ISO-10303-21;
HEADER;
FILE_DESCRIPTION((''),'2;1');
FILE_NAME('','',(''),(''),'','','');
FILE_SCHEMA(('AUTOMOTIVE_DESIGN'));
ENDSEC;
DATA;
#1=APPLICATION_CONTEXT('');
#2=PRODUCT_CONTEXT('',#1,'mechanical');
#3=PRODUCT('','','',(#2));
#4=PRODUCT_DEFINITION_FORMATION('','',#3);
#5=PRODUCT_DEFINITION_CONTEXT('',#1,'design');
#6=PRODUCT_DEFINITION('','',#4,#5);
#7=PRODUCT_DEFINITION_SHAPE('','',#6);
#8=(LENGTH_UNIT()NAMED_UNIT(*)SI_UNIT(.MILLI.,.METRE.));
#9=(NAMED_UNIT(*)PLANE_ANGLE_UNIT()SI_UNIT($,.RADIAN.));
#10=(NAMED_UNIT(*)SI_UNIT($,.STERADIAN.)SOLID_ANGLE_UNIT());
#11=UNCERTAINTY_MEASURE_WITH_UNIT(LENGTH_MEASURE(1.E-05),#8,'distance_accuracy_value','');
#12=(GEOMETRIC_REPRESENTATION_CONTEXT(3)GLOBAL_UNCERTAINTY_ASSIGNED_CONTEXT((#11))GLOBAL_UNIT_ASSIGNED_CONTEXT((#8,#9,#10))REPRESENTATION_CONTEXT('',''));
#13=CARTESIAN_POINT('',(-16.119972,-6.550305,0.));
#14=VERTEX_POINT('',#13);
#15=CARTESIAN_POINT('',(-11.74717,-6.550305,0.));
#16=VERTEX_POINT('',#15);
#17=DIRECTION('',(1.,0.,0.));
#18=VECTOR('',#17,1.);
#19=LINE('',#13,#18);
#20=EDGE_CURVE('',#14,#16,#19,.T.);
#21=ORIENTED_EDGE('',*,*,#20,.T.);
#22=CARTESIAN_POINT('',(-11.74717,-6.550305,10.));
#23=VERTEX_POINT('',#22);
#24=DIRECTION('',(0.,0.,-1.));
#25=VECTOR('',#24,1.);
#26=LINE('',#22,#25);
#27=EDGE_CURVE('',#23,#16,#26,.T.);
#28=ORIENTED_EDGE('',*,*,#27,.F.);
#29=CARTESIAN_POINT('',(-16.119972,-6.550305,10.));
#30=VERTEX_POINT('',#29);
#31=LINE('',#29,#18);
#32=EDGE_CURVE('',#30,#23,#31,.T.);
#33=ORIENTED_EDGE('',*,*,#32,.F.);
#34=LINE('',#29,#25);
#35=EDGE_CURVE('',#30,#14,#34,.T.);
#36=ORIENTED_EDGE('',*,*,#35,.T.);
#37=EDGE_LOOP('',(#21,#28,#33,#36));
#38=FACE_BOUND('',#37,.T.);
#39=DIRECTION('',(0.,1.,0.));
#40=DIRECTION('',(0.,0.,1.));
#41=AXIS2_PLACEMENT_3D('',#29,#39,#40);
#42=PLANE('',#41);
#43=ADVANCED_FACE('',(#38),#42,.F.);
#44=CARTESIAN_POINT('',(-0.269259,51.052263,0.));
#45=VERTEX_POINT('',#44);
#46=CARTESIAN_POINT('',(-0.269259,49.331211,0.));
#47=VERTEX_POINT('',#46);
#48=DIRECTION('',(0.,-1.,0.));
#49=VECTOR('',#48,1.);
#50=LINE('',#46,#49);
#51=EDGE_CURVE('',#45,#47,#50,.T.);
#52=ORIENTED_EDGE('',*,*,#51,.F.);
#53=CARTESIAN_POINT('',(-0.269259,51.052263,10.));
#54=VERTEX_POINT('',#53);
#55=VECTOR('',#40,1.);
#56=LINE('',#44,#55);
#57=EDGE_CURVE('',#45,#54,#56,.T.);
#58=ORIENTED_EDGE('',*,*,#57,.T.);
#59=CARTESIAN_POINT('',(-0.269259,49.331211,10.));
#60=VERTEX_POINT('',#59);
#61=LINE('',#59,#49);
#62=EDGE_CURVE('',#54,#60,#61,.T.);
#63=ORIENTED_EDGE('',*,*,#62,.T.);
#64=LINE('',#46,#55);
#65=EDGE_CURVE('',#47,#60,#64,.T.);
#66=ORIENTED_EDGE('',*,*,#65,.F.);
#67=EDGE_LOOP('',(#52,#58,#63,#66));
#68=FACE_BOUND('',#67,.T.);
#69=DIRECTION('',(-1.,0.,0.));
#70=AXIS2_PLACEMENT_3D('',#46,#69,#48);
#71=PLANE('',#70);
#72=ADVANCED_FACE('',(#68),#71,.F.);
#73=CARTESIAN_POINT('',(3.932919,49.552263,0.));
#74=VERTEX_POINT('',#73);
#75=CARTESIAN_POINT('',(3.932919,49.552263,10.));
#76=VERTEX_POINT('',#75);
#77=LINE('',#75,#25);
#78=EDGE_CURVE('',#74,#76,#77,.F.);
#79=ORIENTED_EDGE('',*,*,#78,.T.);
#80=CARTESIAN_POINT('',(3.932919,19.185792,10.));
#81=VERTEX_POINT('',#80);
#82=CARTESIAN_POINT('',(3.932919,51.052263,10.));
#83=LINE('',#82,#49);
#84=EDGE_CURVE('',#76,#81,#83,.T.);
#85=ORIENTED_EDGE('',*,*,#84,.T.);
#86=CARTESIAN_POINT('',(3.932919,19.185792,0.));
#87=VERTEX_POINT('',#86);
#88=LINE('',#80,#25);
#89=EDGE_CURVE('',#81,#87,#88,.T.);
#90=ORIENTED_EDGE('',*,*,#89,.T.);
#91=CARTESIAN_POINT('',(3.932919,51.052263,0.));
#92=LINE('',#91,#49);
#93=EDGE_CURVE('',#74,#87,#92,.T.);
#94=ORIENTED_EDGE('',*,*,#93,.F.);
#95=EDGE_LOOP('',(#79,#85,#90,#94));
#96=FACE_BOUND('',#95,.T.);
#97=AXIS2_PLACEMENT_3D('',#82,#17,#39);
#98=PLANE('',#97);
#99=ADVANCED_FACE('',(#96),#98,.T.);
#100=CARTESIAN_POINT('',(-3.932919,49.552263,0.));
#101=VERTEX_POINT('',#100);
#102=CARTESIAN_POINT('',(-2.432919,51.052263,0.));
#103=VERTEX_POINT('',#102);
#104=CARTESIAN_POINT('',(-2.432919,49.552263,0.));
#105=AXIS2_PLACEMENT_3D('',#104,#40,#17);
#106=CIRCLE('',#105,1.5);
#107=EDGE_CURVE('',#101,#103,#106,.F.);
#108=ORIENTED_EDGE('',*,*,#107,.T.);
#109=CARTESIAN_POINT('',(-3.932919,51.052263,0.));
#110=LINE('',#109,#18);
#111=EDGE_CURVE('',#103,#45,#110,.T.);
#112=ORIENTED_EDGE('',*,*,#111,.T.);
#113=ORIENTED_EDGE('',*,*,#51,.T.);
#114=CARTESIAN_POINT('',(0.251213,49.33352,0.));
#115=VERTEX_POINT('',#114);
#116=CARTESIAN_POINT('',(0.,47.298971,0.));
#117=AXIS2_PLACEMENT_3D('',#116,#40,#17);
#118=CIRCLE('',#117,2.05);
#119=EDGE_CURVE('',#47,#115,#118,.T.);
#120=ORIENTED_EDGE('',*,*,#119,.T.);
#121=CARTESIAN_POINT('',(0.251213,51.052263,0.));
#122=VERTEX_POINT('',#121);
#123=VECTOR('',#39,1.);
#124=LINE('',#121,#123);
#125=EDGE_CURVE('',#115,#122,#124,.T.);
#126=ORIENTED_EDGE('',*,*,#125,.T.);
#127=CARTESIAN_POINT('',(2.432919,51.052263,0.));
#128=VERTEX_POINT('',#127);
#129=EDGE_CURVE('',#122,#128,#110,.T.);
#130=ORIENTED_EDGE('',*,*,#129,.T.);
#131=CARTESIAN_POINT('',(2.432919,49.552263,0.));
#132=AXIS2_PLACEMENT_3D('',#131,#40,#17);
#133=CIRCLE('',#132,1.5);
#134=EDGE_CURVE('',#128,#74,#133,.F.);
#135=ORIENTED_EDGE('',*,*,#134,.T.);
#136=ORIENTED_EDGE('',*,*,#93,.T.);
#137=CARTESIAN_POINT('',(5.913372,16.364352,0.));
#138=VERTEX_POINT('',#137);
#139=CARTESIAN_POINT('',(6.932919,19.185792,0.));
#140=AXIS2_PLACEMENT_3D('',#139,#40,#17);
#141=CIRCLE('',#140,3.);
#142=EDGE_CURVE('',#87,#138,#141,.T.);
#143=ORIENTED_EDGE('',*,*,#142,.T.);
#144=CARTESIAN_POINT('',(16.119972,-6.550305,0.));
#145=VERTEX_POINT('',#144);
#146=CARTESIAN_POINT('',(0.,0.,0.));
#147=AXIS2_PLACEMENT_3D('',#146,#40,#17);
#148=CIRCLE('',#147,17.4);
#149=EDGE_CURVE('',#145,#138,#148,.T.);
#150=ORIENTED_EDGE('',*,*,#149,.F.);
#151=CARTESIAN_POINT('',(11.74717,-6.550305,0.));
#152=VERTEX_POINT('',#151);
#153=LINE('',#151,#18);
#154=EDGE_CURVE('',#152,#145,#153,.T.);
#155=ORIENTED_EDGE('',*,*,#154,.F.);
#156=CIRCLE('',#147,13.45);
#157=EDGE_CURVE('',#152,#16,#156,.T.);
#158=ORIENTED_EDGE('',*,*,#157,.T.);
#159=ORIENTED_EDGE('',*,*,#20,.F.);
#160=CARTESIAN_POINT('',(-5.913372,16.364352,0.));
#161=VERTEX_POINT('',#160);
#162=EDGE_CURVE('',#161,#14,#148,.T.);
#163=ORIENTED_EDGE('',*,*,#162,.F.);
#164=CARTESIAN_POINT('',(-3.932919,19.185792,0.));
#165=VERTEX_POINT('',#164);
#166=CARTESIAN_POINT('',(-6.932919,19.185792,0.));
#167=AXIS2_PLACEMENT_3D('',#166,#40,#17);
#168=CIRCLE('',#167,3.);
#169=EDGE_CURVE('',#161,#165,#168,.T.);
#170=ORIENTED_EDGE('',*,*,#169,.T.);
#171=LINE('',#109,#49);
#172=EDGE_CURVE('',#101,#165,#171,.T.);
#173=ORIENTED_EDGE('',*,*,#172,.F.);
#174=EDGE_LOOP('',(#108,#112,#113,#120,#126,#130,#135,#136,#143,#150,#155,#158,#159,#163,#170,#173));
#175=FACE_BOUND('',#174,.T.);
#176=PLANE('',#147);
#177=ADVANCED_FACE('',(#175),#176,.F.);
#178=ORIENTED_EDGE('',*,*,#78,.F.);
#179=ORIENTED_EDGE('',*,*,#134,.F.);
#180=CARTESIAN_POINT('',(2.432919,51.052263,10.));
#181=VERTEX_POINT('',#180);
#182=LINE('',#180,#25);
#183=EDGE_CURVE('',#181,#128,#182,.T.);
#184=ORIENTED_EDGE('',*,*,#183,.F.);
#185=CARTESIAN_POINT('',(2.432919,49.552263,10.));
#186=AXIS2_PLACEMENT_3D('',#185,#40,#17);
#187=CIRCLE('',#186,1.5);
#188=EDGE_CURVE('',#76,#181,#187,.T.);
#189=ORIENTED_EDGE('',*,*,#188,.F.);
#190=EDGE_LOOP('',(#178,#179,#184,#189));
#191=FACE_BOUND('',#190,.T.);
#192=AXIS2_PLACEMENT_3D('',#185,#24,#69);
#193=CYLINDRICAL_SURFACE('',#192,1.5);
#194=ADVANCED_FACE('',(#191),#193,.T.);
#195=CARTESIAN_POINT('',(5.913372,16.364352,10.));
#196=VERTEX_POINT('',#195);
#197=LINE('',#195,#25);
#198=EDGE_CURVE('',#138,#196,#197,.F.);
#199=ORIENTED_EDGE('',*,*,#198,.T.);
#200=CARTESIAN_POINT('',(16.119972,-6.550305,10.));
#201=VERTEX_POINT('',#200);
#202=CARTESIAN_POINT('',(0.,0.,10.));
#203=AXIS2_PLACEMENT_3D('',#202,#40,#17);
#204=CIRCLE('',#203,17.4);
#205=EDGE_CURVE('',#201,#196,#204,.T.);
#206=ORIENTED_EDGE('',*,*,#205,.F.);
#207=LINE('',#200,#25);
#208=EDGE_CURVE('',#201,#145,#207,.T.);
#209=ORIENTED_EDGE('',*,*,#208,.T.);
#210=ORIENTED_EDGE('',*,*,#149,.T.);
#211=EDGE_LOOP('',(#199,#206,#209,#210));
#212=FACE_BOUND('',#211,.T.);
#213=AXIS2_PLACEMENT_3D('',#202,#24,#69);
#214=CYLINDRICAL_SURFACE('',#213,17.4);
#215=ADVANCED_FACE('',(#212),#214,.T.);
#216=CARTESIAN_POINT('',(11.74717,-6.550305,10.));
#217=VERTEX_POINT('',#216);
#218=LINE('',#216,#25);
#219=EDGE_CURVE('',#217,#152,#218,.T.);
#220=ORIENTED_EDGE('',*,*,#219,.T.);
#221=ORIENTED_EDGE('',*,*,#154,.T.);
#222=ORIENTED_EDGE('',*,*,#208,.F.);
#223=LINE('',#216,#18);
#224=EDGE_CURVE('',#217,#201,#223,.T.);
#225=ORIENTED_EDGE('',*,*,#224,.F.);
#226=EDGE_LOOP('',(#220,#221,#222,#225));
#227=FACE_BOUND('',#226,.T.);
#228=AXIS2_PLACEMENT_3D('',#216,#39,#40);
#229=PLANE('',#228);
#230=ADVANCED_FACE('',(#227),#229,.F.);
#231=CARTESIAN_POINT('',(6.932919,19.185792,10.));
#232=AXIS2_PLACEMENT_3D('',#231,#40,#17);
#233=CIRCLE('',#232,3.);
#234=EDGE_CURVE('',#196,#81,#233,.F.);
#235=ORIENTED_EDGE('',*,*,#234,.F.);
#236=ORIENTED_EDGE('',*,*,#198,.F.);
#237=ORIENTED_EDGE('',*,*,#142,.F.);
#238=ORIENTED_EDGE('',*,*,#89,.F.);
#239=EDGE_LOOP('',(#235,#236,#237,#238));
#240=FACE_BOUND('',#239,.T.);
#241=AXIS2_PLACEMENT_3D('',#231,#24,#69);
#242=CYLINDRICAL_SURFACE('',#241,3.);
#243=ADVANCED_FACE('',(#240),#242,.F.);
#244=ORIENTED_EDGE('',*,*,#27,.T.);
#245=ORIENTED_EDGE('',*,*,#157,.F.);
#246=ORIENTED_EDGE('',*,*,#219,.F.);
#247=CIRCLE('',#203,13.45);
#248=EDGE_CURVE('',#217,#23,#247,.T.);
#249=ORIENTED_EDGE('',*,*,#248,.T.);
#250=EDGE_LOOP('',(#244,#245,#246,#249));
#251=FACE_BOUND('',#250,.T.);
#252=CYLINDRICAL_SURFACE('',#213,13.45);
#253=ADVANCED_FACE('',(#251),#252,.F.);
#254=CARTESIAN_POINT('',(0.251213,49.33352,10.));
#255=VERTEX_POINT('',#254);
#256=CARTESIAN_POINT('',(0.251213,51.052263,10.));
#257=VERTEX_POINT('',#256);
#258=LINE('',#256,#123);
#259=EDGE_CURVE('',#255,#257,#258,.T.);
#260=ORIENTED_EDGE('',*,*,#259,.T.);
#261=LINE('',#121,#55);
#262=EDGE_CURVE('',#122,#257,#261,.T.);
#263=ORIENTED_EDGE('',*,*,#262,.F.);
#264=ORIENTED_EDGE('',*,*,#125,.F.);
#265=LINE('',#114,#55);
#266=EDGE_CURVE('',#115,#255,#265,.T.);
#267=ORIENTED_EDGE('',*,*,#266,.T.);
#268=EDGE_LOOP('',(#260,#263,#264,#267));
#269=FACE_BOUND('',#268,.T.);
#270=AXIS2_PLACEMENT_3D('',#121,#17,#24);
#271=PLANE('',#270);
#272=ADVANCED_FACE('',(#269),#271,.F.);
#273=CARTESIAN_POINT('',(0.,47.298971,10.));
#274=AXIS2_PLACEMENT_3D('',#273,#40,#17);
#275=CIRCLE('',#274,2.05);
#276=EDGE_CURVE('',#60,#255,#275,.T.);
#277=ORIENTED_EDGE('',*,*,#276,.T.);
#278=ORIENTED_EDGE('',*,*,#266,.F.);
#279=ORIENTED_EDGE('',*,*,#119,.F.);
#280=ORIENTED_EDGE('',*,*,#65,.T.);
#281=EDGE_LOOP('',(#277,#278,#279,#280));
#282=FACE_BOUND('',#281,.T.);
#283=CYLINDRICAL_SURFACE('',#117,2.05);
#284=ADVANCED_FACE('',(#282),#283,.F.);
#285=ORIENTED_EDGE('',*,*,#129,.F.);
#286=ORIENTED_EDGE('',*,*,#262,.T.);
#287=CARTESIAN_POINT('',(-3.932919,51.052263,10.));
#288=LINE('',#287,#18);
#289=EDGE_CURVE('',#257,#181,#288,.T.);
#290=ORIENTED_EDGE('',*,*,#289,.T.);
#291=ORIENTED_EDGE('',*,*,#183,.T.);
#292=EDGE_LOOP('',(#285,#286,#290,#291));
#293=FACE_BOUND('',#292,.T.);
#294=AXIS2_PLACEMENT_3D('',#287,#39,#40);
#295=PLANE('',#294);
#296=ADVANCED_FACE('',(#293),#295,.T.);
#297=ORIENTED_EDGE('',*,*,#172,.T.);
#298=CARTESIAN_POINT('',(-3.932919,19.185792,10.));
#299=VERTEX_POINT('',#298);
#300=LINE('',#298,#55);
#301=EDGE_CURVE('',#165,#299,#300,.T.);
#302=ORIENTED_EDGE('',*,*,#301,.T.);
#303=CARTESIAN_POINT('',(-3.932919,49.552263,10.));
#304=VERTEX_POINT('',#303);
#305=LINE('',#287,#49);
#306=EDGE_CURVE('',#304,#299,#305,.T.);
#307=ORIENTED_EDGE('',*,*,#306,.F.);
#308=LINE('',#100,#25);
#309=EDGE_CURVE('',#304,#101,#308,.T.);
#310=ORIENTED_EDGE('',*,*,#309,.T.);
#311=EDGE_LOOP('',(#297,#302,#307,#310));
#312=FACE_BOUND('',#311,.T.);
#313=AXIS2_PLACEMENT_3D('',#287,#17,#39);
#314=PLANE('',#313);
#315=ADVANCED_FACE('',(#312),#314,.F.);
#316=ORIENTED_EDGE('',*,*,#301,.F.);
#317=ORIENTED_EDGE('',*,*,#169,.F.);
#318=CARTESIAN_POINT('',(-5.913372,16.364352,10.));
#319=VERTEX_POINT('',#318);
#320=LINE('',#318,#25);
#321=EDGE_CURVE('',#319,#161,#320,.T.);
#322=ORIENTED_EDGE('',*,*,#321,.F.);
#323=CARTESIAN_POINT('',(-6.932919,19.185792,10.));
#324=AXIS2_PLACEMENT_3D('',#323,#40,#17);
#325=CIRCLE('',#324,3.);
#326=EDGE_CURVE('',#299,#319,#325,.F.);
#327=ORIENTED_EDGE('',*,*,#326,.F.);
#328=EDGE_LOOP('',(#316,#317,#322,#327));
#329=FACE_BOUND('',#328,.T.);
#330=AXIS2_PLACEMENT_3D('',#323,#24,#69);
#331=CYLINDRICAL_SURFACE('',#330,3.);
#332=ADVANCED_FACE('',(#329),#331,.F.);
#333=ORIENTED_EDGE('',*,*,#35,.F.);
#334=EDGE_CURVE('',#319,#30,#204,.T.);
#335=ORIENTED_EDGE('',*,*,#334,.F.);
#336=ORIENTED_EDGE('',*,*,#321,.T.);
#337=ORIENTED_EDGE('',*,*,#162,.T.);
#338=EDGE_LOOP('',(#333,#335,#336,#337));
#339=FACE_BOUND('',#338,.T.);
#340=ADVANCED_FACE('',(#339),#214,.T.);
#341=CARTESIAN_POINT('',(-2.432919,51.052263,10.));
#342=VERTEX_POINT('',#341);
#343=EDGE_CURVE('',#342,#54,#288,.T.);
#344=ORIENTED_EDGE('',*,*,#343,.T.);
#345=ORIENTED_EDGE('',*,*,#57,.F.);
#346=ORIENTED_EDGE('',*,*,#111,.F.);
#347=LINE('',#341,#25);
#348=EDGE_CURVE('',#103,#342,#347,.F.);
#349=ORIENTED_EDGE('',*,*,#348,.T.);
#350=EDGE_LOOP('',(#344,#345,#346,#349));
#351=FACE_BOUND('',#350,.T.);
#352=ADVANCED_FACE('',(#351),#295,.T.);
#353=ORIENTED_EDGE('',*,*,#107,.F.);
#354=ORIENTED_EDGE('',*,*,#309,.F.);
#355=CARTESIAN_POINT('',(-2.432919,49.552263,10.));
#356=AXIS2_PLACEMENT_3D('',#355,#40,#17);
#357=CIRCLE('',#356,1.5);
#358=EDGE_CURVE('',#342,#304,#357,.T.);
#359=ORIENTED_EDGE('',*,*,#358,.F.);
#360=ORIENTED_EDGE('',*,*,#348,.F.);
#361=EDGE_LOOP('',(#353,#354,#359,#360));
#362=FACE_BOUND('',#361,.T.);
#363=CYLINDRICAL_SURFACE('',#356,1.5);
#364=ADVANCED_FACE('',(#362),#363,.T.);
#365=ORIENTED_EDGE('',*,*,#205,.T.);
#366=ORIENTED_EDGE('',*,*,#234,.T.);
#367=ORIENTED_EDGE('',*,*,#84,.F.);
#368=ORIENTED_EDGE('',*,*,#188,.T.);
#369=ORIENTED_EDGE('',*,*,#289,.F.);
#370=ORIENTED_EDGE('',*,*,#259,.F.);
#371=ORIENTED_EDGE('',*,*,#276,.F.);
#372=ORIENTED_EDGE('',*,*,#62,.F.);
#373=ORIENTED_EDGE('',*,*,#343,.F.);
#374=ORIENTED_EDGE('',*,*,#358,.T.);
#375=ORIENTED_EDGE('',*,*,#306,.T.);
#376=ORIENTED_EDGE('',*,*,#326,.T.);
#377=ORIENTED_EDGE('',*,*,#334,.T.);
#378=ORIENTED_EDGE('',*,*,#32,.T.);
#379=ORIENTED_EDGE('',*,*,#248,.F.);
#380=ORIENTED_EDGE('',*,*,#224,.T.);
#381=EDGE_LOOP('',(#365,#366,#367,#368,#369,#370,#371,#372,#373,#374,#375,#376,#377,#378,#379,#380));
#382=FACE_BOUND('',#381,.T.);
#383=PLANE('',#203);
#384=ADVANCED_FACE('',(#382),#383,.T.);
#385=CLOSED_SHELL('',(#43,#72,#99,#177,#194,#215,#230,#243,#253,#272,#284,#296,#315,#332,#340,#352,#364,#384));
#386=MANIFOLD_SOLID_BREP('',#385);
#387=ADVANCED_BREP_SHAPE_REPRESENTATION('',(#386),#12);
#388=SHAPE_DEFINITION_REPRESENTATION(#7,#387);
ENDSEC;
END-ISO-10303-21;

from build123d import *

# Parameters (mm, degrees)
BOSS_EXTRUDE1_DEPTH = 10
FILLET1_R           = 1.5
FILLET2_R           = 3
CUT_EXTRUDE1_DEPTH  = 10


with BuildPart() as part:
    # Sketch1 → Boss-Extrude1 (new body)
    with BuildSketch(Plane.XY):
        with BuildLine():
            Line((3.932919229, 51.05226265), (3.932919229, 16.949694579))
            ThreePointArc((3.932919229, 16.949694579), (15.446427165, 8.010486117), (16.11997205, -6.550305421))
            Line((16.11997205, -6.550305421), (11.747169825, -6.550305421))
            ThreePointArc((11.747169825, -6.550305421), (0, 13.45), (-11.747169825, -6.550305421))
            Line((-11.747169825, -6.550305421), (-16.11997205, -6.550305421))
            ThreePointArc((-16.11997205, -6.550305421), (-15.446427165, 8.010486117), (-3.932919229, 16.949694579))
            Line((-3.932919229, 16.949694579), (-3.932919229, 51.05226265))
            Line((-3.932919229, 51.05226265), (3.932919229, 51.05226265))
        make_face()
    extrude(amount=BOSS_EXTRUDE1_DEPTH)

    # Fillet1
    fillet1_edges = [part.edges().sort_by_distance(p)[0] for p in [
        (-3.932919229, 51.05226265, 5),
        (3.932919229, 51.05226265, 5),
    ]]
    fillet(fillet1_edges, radius=FILLET1_R)

    # Fillet2
    fillet2_edges = [part.edges().sort_by_distance(p)[0] for p in [
        (-3.932919229, 16.949694579, 5),
        (3.932919229, 16.949694579, 5),
    ]]
    fillet(fillet2_edges, radius=FILLET2_R)

    # Sketch3 → Cut-Extrude1 (cut)
    with BuildSketch(Plane.XY.offset(10)):
        with BuildLine():
            Line((-0.269258516, 49.33121061), (-0.269258516, 51.05226265))
            Line((-0.269258516, 51.05226265), (0.251212815, 51.05226265))
            Line((0.251212815, 51.05226265), (0.251212815, 49.333520115))
            ThreePointArc((0.251212815, 49.333520115), (0.009096443, 45.248990685), (-0.269258516, 49.33121061))
        make_face()
    extrude(amount=-CUT_EXTRUDE1_DEPTH, mode=Mode.SUBTRACT)


solid = part.part
